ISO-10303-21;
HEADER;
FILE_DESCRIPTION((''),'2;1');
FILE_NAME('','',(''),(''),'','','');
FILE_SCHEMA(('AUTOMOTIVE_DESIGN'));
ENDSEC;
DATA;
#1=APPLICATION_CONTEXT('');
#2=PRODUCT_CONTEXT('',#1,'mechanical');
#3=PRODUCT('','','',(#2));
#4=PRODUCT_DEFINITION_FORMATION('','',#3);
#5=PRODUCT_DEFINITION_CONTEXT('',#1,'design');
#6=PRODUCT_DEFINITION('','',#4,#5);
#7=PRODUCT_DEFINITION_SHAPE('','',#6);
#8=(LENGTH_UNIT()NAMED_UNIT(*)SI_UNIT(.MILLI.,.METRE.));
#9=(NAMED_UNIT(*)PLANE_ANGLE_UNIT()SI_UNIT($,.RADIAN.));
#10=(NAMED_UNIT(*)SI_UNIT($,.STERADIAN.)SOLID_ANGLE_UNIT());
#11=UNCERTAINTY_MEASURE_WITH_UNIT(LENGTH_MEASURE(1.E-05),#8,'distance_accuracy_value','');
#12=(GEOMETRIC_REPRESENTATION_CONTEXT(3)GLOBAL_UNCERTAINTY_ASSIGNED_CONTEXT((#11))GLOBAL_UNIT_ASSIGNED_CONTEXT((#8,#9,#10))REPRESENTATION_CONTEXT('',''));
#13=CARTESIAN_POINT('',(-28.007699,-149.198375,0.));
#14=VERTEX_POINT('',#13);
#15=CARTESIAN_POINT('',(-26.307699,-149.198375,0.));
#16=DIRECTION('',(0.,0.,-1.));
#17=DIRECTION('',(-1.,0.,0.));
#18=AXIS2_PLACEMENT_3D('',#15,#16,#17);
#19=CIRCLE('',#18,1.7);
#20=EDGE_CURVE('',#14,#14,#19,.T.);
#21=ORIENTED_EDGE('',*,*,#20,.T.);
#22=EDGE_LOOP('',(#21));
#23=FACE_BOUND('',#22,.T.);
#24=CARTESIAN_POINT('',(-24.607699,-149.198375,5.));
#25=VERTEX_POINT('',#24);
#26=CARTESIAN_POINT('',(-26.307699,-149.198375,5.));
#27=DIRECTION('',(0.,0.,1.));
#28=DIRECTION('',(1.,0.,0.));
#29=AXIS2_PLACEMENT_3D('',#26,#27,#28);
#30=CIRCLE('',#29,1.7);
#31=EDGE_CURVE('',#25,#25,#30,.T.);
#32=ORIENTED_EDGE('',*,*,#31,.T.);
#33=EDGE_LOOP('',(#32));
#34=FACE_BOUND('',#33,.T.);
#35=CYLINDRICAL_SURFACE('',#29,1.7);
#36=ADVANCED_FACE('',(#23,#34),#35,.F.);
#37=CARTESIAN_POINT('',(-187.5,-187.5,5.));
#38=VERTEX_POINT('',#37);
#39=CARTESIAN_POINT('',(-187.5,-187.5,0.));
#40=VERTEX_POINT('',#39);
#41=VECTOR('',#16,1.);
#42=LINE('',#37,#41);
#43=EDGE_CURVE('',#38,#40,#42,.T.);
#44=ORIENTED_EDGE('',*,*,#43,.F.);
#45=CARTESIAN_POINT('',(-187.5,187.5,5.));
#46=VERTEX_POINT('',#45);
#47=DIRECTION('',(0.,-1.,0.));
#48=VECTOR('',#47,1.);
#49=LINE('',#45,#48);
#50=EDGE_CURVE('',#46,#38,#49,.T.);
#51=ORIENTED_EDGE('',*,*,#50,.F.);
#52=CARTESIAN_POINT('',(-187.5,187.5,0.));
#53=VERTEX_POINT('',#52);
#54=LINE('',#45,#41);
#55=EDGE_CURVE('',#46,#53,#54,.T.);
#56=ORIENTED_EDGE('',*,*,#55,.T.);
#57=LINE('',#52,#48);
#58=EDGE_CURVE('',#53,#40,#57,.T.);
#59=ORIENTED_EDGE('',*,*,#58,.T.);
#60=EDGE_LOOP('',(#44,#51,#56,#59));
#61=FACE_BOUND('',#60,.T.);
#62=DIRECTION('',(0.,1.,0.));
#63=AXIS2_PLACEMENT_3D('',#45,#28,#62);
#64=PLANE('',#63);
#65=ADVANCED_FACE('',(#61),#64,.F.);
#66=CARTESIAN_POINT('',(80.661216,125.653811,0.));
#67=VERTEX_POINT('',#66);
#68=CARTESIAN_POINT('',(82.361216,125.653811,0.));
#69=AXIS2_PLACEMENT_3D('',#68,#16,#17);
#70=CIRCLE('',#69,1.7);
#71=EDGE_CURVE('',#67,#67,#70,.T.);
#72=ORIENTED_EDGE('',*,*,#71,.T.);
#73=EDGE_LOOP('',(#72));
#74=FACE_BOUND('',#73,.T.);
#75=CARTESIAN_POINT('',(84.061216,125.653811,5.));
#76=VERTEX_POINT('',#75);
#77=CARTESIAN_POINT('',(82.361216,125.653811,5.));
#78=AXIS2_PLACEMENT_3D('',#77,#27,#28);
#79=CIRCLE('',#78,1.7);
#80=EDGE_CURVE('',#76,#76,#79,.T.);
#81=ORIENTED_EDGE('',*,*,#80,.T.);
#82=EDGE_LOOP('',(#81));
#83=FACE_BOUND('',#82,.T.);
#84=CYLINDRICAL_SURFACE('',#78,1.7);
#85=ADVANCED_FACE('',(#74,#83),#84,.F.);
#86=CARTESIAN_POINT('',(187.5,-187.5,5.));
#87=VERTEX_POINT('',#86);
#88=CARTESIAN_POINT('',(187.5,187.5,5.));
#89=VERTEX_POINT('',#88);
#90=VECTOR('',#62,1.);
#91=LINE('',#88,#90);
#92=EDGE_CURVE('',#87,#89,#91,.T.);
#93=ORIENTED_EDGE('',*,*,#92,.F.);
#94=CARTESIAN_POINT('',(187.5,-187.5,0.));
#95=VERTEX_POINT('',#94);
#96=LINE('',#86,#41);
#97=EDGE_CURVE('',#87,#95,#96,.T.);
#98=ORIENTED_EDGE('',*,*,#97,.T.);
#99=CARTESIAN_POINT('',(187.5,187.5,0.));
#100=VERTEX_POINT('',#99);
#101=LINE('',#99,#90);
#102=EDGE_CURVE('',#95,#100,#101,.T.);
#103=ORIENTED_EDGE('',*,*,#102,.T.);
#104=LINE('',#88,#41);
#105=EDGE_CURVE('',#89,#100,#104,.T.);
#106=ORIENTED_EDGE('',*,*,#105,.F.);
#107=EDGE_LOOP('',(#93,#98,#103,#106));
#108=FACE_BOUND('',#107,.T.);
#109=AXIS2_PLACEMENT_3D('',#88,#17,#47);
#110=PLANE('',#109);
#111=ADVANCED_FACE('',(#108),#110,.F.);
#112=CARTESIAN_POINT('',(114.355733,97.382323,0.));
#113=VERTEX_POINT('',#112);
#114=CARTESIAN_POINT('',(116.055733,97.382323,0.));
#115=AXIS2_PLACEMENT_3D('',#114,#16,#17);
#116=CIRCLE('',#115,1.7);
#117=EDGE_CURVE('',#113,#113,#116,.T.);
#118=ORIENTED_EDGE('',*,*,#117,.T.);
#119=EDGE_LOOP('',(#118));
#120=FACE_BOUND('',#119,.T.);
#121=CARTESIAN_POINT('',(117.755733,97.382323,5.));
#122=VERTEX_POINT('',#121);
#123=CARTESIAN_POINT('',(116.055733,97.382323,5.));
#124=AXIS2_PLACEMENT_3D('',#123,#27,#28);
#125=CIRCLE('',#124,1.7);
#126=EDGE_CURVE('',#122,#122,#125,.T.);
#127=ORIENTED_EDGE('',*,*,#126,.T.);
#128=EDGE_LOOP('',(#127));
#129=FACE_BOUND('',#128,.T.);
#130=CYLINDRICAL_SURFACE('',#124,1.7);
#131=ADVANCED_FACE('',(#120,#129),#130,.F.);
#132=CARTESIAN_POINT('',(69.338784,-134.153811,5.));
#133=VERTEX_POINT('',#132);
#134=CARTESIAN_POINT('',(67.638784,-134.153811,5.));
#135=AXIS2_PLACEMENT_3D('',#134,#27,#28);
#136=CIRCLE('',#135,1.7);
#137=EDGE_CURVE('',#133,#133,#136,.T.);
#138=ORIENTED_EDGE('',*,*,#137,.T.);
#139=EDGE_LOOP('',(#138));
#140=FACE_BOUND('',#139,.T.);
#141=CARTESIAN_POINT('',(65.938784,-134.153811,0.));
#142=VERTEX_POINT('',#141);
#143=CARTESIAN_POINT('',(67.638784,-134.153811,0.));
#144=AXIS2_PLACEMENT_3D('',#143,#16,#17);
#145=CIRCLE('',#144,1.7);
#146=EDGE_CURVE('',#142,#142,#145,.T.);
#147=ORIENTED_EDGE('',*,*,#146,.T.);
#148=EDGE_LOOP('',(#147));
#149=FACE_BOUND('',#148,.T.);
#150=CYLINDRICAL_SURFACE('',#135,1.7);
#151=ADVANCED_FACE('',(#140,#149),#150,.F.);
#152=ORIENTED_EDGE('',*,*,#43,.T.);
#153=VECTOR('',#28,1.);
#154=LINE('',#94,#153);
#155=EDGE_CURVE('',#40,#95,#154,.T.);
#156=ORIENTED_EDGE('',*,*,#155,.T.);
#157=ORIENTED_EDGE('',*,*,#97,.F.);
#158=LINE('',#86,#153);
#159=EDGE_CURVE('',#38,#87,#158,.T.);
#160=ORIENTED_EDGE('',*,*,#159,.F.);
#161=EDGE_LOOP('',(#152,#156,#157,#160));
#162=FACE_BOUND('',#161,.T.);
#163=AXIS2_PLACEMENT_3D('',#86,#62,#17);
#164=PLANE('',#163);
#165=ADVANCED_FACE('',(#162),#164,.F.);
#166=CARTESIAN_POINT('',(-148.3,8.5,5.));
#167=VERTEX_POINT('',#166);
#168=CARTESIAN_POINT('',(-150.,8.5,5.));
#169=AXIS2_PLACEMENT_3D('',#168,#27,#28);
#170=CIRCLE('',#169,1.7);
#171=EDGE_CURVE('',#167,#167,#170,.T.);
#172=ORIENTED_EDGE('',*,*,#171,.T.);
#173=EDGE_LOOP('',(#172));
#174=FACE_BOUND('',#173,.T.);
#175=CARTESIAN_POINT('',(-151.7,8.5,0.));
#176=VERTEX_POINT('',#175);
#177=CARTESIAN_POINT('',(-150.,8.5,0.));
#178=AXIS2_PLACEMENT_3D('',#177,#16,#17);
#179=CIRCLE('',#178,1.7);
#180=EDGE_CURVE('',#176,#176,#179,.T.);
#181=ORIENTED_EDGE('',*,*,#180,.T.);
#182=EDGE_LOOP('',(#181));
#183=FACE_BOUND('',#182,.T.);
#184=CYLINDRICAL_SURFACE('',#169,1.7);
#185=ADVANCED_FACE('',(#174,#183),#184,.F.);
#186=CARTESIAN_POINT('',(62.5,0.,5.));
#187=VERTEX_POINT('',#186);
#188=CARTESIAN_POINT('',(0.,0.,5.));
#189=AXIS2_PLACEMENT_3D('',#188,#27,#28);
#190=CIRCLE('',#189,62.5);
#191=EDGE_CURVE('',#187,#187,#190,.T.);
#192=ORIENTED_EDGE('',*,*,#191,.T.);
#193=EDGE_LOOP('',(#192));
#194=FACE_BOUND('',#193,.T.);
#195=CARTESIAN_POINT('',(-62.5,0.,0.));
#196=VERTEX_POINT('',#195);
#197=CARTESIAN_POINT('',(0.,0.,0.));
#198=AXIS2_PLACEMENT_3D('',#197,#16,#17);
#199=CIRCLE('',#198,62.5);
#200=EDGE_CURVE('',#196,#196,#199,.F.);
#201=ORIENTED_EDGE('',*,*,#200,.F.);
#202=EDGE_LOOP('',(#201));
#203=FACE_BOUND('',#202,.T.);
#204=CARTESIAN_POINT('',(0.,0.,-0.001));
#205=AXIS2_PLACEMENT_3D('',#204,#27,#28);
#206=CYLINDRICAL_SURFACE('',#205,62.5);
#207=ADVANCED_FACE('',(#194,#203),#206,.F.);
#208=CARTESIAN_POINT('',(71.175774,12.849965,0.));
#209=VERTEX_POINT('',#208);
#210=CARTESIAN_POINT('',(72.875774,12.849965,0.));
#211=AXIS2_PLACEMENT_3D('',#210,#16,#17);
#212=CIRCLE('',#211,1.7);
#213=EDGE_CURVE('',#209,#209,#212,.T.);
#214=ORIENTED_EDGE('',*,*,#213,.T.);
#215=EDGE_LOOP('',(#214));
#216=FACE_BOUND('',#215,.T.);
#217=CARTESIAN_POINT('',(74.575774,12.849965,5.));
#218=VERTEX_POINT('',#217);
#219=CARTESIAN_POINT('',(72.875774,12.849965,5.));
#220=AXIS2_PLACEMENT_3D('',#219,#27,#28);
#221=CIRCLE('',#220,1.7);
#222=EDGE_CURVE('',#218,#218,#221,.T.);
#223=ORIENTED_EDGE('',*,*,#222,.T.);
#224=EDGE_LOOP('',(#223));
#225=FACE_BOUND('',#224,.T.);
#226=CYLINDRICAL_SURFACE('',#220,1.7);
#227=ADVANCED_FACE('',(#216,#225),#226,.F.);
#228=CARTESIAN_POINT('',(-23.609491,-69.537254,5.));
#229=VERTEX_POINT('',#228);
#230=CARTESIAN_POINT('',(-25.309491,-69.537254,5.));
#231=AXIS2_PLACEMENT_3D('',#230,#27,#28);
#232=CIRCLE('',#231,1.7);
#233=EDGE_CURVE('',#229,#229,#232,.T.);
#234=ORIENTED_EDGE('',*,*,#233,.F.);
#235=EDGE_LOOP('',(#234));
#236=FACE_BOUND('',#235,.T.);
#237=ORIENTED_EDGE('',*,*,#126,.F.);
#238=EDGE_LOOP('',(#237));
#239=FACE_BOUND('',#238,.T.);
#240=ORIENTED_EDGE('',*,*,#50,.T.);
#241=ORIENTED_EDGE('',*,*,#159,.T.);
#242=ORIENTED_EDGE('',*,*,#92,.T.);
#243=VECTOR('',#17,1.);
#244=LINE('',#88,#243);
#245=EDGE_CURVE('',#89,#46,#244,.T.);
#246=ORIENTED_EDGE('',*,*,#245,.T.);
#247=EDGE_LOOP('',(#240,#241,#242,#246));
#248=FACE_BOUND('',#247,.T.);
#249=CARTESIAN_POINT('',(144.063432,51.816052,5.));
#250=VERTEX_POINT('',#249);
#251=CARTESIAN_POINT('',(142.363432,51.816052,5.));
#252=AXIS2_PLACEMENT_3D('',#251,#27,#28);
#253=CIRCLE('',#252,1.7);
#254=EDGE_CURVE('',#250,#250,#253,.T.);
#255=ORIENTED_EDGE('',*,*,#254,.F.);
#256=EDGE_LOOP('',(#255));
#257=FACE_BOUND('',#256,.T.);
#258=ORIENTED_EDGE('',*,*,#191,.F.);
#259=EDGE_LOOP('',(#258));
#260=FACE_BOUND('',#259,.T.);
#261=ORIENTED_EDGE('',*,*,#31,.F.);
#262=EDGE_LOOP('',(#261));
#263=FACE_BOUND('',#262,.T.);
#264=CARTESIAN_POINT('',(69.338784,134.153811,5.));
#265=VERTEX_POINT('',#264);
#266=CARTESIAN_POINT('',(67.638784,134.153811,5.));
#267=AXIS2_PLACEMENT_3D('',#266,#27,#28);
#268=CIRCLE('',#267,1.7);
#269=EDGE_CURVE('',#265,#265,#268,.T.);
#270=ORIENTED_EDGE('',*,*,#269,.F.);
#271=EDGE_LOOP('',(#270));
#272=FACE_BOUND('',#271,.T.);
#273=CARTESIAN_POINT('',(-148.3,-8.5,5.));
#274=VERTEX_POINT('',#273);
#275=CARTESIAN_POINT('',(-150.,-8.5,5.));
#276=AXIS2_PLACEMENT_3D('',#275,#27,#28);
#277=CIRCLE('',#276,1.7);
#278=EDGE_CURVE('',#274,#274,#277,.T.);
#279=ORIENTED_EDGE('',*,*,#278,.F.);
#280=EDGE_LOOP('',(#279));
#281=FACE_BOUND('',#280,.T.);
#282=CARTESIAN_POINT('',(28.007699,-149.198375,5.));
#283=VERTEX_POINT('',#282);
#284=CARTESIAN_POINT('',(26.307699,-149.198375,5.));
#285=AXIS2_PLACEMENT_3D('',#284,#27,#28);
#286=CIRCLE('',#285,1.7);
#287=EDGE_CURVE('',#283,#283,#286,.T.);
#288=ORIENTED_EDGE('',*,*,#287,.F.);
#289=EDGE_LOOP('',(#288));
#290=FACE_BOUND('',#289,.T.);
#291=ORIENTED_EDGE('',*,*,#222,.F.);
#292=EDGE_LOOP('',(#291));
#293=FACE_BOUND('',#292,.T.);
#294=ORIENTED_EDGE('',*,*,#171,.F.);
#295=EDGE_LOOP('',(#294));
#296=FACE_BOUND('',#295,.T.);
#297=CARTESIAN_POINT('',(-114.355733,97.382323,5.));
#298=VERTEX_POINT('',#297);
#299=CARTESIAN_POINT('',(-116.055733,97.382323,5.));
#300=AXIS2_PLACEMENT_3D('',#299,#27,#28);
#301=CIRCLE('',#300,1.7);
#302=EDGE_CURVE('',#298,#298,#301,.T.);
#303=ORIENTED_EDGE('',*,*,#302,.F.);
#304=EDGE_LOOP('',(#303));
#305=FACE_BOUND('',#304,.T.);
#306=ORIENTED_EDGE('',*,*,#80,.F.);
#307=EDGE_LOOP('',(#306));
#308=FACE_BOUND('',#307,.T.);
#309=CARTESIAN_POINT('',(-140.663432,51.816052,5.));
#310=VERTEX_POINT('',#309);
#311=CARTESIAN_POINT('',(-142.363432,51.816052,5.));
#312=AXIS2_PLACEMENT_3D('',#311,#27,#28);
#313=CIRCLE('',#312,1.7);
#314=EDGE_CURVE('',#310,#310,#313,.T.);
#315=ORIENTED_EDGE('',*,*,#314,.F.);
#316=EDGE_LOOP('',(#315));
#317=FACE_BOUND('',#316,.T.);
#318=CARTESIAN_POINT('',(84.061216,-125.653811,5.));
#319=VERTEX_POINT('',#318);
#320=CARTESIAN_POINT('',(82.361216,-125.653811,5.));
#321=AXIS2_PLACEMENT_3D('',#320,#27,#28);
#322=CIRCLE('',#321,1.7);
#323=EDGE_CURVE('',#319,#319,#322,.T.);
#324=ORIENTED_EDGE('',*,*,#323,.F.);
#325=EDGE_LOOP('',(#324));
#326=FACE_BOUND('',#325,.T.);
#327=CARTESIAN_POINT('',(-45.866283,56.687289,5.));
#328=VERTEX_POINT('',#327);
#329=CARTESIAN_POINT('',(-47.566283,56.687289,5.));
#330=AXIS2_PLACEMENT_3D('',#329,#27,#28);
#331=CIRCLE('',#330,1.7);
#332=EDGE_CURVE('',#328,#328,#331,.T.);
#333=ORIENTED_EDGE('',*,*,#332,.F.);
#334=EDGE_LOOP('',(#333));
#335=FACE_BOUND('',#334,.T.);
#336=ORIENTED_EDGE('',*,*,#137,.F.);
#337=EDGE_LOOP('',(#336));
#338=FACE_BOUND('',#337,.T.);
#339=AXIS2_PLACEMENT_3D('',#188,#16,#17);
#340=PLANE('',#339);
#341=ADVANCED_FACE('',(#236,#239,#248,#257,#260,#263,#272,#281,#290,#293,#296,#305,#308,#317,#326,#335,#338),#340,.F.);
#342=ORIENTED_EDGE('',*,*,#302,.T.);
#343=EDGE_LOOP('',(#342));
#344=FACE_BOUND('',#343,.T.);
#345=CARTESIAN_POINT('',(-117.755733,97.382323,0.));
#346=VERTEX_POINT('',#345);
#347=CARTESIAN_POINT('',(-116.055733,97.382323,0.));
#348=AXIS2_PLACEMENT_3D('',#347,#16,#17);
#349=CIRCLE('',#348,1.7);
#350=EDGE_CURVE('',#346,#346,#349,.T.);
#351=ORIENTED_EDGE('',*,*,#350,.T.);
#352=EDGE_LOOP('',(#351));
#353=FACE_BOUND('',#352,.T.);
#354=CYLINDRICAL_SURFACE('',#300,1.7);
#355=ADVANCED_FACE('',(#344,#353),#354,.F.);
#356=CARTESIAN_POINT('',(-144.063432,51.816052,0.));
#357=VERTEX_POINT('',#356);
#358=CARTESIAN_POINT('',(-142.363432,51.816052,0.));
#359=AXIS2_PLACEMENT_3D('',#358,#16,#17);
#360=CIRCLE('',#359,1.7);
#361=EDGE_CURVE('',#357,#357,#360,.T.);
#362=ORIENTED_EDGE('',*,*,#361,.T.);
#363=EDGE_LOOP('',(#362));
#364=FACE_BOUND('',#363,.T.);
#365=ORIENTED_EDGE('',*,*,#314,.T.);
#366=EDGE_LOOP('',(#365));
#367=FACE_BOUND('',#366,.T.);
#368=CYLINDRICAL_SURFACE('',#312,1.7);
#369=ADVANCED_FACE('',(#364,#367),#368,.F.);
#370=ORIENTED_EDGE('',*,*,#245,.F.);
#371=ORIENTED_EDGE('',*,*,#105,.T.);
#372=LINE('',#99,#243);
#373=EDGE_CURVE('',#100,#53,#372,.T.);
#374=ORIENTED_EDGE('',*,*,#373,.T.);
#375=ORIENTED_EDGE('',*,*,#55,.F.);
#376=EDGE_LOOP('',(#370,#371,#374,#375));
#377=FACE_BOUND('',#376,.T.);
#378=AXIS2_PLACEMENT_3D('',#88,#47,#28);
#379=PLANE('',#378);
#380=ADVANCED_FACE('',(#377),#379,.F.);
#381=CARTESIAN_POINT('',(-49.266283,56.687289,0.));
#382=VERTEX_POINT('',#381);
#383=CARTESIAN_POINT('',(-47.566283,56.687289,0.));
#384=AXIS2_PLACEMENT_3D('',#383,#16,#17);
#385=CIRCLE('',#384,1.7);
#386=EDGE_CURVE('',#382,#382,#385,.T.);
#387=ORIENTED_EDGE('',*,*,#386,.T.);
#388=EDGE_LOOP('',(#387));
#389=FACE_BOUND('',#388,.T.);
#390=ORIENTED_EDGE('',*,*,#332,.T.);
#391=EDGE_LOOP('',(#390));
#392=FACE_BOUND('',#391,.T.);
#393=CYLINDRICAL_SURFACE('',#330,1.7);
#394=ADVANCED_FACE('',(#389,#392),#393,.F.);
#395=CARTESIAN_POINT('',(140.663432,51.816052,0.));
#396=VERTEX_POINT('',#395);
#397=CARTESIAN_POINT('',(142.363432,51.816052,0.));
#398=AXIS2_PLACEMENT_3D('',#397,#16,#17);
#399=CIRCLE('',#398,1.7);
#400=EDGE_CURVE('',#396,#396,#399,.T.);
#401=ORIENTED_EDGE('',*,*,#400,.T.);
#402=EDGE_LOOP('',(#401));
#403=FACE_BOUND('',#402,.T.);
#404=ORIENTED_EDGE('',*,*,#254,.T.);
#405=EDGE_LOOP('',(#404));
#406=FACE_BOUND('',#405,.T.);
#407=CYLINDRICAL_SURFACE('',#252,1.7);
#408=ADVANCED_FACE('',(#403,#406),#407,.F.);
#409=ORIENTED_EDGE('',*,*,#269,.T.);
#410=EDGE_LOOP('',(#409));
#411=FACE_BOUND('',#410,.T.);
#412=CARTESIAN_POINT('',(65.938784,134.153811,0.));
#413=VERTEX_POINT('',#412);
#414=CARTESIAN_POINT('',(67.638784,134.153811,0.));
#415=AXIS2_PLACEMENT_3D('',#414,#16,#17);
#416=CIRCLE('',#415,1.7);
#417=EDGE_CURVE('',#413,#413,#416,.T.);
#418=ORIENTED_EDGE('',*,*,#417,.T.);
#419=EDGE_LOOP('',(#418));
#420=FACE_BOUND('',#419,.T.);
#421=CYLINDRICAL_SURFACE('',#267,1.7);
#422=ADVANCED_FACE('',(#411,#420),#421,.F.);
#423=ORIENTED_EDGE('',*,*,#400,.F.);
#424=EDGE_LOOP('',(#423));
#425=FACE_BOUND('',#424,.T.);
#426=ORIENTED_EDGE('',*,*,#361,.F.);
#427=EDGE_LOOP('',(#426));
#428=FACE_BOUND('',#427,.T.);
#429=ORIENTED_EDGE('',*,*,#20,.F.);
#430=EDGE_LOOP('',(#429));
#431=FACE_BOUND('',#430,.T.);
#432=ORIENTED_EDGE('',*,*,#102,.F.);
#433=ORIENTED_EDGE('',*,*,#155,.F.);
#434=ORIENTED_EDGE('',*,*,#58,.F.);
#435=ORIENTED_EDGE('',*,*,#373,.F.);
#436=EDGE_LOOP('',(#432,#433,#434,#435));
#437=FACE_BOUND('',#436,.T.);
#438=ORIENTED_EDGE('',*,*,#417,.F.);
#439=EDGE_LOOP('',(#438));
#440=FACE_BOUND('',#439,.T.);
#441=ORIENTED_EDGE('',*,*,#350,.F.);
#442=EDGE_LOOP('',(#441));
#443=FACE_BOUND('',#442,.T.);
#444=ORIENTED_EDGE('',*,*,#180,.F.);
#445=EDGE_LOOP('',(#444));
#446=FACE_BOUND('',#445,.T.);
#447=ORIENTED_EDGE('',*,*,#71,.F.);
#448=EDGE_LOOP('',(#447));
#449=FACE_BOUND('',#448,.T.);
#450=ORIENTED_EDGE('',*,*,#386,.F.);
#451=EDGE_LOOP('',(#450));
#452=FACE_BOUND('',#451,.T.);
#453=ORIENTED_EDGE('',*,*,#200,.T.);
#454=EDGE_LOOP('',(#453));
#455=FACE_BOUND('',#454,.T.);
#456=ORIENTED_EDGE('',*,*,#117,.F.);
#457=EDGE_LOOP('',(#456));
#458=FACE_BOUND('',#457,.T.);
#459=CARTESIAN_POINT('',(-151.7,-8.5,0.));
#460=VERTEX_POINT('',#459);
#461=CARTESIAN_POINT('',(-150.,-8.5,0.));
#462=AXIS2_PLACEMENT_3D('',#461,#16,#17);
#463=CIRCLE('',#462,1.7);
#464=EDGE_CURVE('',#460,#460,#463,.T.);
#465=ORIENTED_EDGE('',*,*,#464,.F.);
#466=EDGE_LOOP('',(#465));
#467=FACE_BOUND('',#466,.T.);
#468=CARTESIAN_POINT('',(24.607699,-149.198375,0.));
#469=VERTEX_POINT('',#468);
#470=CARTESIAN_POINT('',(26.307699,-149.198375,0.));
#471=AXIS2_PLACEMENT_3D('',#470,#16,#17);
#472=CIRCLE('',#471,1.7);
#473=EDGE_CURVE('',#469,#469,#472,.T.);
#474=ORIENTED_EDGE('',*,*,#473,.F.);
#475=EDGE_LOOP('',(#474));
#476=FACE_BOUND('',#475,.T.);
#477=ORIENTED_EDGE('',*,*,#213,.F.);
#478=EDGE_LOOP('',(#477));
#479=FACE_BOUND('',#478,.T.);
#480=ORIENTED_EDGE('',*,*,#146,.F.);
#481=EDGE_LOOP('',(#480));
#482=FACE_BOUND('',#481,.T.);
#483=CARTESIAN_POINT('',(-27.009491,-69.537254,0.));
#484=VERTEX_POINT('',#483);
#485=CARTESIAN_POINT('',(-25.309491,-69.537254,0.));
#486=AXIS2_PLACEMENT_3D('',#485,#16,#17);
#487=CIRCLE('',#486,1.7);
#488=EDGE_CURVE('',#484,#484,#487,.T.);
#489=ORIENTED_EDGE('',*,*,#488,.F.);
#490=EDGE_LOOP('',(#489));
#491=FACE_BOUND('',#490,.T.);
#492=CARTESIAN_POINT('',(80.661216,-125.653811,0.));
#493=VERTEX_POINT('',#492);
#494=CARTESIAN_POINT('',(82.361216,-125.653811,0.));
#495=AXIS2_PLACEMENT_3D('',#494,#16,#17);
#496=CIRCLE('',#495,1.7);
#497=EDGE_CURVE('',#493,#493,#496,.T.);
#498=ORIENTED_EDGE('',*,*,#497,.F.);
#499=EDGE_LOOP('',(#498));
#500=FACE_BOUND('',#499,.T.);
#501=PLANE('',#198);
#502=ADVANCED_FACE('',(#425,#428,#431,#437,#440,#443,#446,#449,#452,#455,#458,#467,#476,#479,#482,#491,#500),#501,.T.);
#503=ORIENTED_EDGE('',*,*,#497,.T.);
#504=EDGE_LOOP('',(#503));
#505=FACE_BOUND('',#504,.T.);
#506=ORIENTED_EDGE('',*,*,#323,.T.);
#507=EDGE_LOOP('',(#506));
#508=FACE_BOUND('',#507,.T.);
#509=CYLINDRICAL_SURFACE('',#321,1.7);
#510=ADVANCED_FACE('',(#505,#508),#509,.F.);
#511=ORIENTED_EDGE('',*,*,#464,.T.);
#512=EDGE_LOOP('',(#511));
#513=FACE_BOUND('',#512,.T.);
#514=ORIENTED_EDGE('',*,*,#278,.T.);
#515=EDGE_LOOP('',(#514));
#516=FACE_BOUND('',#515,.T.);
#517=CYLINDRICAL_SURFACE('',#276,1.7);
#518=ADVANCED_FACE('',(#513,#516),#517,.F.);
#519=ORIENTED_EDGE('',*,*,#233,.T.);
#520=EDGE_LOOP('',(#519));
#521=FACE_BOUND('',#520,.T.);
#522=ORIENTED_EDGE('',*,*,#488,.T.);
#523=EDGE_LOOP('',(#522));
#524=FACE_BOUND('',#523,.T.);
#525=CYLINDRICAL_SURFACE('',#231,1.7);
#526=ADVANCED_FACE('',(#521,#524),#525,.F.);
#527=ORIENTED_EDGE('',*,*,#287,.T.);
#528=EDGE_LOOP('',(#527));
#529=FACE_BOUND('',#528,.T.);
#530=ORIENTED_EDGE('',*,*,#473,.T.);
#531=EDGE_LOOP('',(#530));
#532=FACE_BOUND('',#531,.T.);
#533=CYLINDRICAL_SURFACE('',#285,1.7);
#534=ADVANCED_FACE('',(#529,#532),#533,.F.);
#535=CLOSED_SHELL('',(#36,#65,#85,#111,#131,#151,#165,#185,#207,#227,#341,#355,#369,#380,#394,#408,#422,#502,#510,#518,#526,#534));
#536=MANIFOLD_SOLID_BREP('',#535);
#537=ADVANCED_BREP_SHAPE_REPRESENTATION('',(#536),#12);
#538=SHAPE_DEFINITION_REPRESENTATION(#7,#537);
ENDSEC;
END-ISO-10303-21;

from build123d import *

# Parameters (mm, degrees)
SCHIZZO1_W                   = 375
SCHIZZO1_H                   = 375
ESTRUSIONE_ESTRUSIONE1_DEPTH = 5
TAGLIO_ESTRUSIONE1_REACH     = 267.212
SCHIZZO2_R                   = 62.5
FORO_PER_VITE_M3_4_D         = 3.4
RIPETIZIONECIRCOLARE1_COUNT  = 3
FORO_PER_VITE_M3_2_D         = 3.4
RIPETIZIONECIRCOLARE3_COUNT  = 3
FORO_PER_VITE_M3_5_D         = 3.4
RIPETIZIONECIRCOLARE4_COUNT  = 3


with BuildPart() as part:
    # Schizzo1 → Estrusione-Estrusione1 (new body)
    with BuildSketch(Plane.XY):
        Rectangle(SCHIZZO1_W, SCHIZZO1_H)
    extrude(amount=ESTRUSIONE_ESTRUSIONE1_DEPTH)

    # Schizzo2 → Taglio-Estrusione1 (cut, up to next)
    with BuildSketch(Plane.XY.offset(5), mode=Mode.PRIVATE) as taglio_estrusione1_sk1:
        Circle(SCHIZZO2_R)
    taglio_estrusione1_tool1 = extrude(taglio_estrusione1_sk1.sketch, amount=-TAGLIO_ESTRUSIONE1_REACH, mode=Mode.PRIVATE) & part.part
    add(taglio_estrusione1_tool1.solids().sort_by_distance((0, 0, 5))[0], mode=Mode.SUBTRACT)

    # Foro per Vite M3-4 (through all)
    with Locations(Plane.XY.offset(5)):
        with Locations((-26.307698917, -149.198374581), (26.307698917, -149.198374581)):
            foro_per_vite_m3_4 = Hole(FORO_PER_VITE_M3_4_D / 2)

    # RipetizioneCircolare1: Foro per Vite M3-4 ×3 about axis
    ripetizionecircolare1_axis = Axis((0, 0, 0), (0, 0, 1))
    for i in range(1, RIPETIZIONECIRCOLARE1_COUNT):
        add(foro_per_vite_m3_4.rotate(ripetizionecircolare1_axis, i * 360 / RIPETIZIONECIRCOLARE1_COUNT), mode=Mode.SUBTRACT)

    # Foro per Vite M3-2 (through all)
    with Locations(Plane.XY.offset(5)):
        with Locations((-25.309490606, -69.537253938)):
            foro_per_vite_m3_2 = Hole(FORO_PER_VITE_M3_2_D / 2)

    # RipetizioneCircolare3: Foro per Vite M3-2 ×3 about axis
    ripetizionecircolare3_axis = Axis((0, 0, 0), (0, 0, 1))
    for i in range(1, RIPETIZIONECIRCOLARE3_COUNT):
        add(foro_per_vite_m3_2.rotate(ripetizionecircolare3_axis, i * 360 / RIPETIZIONECIRCOLARE3_COUNT), mode=Mode.SUBTRACT)

    # Foro per Vite M3-5 (through all)
    with Locations(Plane.XY.offset(5)):
        with Locations((67.638784068, 134.153810568), (82.361215932, 125.653810568)):
            foro_per_vite_m3_5 = Hole(FORO_PER_VITE_M3_5_D / 2)

    # RipetizioneCircolare4: Foro per Vite M3-5 ×3 about axis
    ripetizionecircolare4_axis = Axis((0, 0, 0), (0, 0, 1))
    for i in range(1, RIPETIZIONECIRCOLARE4_COUNT):
        add(foro_per_vite_m3_5.rotate(ripetizionecircolare4_axis, i * 360 / RIPETIZIONECIRCOLARE4_COUNT), mode=Mode.SUBTRACT)


solid = part.part
